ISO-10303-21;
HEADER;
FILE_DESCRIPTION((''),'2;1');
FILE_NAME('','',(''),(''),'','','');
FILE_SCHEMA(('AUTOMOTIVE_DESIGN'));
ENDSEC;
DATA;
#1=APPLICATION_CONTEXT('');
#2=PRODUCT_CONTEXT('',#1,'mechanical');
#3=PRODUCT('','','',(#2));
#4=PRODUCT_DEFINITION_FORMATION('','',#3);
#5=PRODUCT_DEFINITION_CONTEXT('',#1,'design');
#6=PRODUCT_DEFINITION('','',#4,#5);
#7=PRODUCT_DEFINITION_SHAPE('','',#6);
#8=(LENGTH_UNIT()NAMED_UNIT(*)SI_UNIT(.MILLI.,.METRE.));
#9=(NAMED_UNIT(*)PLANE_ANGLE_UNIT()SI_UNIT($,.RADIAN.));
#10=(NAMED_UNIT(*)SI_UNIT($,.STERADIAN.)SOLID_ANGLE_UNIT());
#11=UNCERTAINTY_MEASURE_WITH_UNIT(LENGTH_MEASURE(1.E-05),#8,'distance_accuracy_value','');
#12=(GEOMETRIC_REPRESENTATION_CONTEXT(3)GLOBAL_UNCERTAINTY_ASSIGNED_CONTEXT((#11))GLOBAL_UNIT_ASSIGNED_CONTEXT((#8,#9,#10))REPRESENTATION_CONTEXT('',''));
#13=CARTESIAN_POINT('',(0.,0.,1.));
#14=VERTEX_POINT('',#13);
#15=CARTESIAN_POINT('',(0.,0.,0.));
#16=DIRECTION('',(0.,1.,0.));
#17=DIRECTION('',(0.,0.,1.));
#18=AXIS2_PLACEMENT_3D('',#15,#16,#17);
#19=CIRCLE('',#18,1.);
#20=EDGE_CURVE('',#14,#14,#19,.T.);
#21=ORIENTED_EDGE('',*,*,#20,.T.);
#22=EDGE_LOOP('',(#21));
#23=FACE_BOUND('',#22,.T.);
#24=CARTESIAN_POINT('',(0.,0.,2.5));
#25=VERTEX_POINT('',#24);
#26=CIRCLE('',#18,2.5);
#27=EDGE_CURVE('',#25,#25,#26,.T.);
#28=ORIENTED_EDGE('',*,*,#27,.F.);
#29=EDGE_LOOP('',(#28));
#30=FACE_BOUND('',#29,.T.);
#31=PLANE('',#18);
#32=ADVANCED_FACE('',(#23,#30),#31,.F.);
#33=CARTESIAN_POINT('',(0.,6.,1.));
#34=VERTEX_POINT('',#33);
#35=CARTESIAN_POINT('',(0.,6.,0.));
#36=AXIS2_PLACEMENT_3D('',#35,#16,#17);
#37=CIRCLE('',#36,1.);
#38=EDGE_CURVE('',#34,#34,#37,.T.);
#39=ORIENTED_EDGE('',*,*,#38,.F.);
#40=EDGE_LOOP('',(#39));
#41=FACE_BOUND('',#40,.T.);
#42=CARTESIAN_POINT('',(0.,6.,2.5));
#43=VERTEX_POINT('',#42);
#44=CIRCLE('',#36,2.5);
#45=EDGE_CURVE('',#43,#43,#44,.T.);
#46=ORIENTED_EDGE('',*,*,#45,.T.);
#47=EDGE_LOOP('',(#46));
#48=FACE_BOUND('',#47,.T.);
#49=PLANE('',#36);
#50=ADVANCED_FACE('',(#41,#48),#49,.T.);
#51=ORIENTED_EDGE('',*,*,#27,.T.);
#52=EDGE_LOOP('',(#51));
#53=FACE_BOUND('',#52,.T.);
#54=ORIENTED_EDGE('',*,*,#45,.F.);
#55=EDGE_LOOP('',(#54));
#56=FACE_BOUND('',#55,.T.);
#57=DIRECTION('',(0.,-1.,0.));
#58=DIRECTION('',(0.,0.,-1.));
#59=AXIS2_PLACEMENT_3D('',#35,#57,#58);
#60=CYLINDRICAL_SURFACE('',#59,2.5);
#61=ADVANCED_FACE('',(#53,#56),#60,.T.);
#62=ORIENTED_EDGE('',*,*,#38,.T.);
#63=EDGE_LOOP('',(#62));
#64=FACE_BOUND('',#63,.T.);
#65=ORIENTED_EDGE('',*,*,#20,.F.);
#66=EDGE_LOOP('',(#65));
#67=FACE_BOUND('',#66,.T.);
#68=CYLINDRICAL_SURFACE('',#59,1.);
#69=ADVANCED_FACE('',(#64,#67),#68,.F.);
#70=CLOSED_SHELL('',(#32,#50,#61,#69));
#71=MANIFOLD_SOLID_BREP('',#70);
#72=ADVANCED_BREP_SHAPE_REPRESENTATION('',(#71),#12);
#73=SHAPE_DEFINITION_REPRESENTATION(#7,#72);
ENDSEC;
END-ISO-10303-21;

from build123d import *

# Parameters (mm, degrees)
SKETCH2_R           = 2.5
SKETCH2_R_2         = 1
BOSS_EXTRUDE1_DEPTH = 6


with BuildPart() as part:
    # Sketch2 → Boss-Extrude1 (new body)
    with BuildSketch(Plane(origin=(0, 0, 0), x_dir=(1, 0, 0), z_dir=(0, 1, 0))):
        Circle(SKETCH2_R)
        Circle(SKETCH2_R_2, mode=Mode.SUBTRACT)
    extrude(amount=BOSS_EXTRUDE1_DEPTH)


solid = part.part
